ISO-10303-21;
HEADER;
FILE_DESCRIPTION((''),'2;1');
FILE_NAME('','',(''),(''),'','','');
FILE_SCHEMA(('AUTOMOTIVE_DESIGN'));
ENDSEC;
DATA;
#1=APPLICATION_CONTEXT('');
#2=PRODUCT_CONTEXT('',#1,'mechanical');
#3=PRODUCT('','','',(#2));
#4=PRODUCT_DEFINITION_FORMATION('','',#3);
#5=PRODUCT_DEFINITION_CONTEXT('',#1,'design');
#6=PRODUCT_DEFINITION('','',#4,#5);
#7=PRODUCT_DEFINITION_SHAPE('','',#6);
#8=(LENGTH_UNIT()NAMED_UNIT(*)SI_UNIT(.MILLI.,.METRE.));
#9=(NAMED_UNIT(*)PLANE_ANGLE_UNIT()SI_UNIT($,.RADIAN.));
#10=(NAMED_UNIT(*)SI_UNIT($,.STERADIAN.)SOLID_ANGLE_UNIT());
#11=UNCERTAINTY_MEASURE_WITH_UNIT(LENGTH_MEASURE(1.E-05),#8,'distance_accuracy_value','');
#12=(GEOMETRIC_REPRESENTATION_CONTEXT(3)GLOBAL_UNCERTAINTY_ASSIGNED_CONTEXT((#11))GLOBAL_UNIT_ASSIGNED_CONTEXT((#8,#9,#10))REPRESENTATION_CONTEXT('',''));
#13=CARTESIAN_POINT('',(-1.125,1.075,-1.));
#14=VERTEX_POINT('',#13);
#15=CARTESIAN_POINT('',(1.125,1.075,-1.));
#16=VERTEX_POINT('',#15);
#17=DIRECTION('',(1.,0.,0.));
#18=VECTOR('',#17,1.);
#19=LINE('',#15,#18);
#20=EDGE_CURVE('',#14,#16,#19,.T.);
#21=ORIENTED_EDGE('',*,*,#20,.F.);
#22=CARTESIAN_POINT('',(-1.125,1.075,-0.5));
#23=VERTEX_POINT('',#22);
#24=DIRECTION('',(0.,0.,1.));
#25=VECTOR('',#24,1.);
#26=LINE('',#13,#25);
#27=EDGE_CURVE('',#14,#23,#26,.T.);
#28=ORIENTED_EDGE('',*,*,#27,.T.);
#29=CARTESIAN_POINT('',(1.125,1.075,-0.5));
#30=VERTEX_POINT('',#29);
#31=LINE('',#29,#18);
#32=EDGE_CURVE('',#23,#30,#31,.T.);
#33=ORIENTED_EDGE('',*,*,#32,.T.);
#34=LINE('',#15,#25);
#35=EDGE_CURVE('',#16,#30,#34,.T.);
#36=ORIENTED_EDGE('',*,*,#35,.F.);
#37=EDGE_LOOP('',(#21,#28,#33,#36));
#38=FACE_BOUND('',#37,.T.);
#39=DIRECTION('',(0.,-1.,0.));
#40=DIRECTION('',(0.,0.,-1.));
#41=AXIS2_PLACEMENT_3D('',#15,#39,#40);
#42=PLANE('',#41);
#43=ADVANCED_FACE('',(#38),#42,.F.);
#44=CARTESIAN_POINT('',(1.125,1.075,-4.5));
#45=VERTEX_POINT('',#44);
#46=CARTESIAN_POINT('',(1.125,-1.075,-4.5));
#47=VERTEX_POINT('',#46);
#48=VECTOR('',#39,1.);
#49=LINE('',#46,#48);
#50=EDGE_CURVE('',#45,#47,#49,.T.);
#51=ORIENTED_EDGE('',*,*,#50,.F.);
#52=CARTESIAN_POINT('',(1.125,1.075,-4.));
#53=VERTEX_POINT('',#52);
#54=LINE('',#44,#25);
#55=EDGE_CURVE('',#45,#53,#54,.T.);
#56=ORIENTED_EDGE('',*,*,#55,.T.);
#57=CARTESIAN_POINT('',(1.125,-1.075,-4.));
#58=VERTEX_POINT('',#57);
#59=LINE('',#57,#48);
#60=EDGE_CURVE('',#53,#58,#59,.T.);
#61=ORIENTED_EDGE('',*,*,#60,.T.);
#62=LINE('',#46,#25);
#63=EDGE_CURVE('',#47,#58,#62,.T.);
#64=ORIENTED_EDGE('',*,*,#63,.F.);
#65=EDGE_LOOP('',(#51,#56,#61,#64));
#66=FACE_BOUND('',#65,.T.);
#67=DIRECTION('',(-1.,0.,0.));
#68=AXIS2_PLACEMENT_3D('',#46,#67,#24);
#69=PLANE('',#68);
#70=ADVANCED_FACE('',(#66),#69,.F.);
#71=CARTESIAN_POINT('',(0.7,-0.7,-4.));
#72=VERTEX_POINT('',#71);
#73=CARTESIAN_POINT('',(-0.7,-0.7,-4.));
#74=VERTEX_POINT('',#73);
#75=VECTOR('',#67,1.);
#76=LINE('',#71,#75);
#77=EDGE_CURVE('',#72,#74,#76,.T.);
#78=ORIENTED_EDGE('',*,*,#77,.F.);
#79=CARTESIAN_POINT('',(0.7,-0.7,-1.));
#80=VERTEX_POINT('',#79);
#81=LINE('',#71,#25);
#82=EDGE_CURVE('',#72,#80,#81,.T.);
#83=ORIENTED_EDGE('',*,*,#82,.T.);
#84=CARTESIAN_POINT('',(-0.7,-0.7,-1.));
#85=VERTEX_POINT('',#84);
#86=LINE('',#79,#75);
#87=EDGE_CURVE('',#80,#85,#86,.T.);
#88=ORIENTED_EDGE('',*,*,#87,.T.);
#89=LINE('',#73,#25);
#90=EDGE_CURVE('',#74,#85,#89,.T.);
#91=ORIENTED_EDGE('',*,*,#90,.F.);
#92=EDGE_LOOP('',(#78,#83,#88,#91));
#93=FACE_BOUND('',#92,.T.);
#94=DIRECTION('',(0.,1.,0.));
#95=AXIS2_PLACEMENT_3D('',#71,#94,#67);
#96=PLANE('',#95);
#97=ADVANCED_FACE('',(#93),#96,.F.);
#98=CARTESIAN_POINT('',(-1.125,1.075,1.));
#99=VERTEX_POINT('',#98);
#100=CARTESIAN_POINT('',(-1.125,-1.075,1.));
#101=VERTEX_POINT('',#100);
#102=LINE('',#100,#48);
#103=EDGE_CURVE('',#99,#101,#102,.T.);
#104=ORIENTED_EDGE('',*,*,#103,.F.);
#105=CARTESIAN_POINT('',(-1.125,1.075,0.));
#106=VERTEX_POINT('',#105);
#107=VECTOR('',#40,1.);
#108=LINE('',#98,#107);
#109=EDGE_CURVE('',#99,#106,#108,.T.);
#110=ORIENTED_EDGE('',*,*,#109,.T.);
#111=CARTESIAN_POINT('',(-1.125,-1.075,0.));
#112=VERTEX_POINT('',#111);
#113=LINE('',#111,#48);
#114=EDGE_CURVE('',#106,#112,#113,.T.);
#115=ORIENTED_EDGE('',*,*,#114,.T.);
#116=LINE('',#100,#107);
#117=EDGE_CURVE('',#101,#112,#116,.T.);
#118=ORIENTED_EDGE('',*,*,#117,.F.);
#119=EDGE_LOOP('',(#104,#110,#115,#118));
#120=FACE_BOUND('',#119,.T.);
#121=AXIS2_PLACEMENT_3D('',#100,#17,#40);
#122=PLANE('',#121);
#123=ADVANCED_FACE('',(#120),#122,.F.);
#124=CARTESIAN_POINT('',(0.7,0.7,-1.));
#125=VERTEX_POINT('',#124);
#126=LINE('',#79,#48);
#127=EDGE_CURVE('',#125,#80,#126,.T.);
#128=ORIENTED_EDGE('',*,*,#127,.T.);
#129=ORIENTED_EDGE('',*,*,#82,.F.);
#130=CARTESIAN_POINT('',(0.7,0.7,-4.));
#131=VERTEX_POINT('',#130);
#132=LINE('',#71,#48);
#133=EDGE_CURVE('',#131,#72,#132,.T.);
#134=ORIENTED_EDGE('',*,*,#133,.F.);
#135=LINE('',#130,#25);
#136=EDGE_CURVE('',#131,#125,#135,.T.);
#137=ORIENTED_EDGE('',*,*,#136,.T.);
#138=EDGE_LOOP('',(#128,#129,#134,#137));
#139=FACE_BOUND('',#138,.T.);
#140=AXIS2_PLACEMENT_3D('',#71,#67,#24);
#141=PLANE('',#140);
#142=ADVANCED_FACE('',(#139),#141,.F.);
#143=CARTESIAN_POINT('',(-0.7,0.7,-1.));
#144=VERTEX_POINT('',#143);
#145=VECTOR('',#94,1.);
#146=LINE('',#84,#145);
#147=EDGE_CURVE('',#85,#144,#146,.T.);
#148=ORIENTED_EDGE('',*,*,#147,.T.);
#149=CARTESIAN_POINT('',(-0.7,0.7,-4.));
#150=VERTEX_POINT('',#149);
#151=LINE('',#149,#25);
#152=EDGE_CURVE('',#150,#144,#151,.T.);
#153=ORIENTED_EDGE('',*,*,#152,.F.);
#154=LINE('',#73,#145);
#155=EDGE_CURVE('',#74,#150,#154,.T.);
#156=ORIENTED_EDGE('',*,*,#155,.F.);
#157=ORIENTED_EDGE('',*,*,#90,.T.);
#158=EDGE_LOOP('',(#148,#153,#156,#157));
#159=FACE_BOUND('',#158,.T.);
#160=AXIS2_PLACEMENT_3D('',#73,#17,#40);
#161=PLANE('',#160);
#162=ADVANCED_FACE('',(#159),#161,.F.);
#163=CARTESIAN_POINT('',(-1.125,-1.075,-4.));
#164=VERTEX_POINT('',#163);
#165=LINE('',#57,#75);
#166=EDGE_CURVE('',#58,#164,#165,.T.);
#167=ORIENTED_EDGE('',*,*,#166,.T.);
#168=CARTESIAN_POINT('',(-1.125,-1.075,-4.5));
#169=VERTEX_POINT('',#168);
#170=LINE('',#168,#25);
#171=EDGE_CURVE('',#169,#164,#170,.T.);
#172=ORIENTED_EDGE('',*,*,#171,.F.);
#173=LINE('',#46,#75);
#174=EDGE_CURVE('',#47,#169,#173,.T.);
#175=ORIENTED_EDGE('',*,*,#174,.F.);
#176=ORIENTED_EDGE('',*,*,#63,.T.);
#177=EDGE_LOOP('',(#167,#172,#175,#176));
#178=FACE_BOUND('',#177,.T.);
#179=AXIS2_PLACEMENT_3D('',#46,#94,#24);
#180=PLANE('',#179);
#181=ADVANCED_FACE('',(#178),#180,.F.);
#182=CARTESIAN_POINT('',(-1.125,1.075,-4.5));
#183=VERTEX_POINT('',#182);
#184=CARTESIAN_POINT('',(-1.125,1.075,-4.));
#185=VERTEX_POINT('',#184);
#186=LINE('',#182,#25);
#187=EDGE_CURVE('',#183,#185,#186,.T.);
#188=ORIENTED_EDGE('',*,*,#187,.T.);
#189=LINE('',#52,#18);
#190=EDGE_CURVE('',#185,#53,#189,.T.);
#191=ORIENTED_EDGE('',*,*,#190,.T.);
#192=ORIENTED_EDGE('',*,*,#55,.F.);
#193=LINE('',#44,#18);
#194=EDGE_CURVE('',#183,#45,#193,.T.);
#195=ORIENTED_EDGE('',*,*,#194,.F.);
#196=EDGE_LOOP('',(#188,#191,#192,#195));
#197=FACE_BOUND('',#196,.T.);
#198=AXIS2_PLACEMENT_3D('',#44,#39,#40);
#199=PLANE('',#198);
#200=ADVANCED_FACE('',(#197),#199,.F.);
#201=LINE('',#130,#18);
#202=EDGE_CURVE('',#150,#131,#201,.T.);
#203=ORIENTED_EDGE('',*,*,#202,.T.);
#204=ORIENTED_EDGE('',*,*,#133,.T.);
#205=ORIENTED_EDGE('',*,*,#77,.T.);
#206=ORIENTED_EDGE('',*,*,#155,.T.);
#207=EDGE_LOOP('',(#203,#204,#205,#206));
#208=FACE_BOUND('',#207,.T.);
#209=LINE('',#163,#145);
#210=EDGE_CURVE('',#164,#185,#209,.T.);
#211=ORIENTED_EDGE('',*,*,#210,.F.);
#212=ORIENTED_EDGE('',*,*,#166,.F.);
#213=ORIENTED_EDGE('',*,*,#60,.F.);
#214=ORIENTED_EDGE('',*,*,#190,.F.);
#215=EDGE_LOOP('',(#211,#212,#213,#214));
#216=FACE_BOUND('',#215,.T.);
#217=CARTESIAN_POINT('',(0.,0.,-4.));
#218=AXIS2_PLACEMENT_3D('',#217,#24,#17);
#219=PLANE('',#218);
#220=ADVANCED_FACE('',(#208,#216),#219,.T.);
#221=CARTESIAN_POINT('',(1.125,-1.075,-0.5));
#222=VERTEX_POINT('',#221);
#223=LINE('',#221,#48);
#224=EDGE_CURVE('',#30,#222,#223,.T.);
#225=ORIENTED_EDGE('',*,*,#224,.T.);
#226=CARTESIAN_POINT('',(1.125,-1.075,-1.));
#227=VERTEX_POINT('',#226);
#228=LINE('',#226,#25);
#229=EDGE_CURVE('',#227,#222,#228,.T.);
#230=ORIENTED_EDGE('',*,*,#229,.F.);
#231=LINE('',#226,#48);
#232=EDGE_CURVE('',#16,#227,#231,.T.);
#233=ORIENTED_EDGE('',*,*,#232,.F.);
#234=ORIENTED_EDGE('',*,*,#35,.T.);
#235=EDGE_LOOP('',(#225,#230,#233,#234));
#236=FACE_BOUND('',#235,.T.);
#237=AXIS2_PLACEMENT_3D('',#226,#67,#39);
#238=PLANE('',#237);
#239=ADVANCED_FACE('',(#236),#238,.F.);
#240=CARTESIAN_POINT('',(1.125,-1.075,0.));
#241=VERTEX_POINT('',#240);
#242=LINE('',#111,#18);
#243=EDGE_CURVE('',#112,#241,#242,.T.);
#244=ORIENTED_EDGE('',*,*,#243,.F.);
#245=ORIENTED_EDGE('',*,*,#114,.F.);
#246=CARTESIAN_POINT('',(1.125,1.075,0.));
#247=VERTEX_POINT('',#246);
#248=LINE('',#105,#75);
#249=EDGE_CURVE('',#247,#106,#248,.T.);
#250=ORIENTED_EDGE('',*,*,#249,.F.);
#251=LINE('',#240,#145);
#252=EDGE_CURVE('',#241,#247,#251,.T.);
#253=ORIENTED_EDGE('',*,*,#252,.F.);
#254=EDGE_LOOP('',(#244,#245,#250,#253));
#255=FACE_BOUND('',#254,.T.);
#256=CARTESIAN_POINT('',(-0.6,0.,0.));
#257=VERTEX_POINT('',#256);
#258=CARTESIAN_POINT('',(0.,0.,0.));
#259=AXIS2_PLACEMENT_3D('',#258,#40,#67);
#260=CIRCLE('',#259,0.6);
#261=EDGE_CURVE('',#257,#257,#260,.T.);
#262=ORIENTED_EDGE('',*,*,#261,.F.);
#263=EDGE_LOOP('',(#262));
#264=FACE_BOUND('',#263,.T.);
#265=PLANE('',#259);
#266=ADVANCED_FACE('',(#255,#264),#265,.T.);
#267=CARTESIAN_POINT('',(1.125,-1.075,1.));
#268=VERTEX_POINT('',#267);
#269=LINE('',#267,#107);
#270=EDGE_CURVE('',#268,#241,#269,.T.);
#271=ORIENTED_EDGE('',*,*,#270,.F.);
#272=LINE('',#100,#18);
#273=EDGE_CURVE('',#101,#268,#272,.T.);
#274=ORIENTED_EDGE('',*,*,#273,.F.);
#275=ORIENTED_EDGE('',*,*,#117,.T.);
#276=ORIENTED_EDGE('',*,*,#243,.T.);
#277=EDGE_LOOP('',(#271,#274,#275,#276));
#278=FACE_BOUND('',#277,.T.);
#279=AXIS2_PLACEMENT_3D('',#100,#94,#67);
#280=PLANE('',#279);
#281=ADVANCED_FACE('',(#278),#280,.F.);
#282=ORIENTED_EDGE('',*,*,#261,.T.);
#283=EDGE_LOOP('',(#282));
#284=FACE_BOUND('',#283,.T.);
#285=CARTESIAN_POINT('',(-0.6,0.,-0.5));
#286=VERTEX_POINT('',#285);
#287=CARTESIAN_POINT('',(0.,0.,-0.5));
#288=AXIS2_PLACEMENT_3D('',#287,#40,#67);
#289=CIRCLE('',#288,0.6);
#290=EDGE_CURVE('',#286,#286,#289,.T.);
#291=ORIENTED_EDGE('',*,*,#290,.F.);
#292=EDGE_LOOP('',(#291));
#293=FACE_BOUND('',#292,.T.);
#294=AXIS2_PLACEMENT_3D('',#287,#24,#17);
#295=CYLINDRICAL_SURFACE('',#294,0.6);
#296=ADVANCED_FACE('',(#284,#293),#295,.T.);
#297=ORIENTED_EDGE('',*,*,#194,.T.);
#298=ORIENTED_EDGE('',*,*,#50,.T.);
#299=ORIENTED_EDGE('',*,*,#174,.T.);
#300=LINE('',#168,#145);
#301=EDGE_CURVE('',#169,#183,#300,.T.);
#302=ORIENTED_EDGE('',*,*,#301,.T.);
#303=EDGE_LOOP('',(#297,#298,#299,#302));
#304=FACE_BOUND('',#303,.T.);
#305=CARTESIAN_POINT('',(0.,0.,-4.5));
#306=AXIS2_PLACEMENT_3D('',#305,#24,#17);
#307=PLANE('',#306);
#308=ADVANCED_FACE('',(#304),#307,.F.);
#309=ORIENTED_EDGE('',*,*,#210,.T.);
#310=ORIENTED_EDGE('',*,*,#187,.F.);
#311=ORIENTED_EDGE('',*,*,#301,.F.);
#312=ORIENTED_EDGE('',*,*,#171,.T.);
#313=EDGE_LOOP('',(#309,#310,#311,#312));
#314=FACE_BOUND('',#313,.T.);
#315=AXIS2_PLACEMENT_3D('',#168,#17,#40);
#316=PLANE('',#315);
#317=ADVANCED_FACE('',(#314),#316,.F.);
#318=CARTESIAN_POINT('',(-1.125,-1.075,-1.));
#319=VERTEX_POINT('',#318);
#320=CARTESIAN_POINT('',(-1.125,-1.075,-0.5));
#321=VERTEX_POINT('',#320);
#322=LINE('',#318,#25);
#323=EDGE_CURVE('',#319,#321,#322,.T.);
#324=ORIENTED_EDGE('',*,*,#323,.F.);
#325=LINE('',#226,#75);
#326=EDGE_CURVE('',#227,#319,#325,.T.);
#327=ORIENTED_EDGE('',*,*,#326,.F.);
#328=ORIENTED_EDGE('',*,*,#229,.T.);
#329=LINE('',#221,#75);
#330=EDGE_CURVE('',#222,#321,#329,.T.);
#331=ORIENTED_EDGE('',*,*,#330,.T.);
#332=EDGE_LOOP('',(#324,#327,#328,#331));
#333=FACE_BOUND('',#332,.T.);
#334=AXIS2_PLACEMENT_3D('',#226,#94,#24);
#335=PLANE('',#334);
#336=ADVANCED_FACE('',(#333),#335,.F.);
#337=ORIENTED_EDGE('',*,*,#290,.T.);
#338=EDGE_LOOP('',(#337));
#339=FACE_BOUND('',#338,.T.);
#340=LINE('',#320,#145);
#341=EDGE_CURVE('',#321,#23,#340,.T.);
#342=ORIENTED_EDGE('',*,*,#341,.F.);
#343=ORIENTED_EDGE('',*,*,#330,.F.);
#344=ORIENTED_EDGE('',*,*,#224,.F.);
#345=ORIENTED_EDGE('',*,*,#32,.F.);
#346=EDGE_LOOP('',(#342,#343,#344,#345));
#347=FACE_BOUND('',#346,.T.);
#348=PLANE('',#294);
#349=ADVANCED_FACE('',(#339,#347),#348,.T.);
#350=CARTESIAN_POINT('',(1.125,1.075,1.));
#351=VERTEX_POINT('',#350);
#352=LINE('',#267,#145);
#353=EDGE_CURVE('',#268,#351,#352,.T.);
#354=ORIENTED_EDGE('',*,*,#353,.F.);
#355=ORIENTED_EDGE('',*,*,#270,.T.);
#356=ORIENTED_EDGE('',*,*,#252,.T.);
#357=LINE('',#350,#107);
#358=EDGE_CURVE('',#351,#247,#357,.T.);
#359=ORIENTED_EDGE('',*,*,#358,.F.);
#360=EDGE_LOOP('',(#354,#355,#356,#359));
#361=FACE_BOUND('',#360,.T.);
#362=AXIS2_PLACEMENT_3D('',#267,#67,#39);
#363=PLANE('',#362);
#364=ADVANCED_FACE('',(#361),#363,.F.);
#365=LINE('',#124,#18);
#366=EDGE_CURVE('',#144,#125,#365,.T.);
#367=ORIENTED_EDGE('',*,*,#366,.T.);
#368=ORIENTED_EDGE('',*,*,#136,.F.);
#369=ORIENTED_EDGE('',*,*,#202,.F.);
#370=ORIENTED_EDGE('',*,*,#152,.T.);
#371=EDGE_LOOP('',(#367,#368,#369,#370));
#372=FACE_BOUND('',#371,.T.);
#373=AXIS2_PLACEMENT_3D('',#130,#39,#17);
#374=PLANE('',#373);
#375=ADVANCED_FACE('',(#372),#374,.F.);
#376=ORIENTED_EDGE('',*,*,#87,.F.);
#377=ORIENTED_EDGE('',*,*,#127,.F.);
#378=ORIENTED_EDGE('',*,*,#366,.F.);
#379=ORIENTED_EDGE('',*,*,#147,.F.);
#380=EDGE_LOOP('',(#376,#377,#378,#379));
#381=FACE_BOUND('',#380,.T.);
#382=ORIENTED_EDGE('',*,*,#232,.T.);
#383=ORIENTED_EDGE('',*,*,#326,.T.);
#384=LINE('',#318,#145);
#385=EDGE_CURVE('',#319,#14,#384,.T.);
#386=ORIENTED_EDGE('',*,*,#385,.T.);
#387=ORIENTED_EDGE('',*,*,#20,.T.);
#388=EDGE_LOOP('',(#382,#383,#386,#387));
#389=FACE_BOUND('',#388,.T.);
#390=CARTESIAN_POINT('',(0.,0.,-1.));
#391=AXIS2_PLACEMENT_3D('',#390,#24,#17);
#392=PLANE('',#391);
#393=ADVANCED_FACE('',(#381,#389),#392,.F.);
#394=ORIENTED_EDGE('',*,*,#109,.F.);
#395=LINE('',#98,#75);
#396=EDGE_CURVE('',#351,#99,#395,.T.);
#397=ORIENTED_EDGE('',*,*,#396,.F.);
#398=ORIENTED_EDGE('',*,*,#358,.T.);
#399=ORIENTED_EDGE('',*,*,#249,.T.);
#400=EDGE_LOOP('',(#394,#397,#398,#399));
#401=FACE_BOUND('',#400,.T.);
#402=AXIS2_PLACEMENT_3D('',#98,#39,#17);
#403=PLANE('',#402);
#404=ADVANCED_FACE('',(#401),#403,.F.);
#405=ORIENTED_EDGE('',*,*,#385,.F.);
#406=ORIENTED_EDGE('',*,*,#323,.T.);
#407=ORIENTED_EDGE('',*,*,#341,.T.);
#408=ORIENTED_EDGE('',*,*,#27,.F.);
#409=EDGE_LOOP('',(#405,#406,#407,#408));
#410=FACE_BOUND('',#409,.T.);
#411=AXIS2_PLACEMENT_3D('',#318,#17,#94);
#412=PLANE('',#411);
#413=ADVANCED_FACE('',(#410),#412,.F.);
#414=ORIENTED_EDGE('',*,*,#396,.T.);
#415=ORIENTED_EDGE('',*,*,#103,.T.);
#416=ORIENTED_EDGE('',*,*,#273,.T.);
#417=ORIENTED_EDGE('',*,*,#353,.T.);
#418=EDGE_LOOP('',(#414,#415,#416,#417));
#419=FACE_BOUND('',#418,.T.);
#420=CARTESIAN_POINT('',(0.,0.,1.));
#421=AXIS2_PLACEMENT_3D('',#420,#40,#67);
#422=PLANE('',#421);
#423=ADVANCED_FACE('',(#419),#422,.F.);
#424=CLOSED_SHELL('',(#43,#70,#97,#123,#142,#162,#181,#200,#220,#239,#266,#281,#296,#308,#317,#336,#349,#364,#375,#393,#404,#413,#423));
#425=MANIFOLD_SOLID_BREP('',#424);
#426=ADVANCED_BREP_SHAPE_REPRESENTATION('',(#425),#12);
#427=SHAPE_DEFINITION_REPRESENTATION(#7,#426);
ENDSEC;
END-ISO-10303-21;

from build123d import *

# Parameters (mm, degrees)
SKETCH_2_W      = 2.25
SKETCH_2_H      = 2.15
EXTRUDE_4_DEPTH = 1
SKETCH_4_R      = 0.6
EXTRUDE_5_DEPTH = 0.5
SKETCH_5_W      = 2.25
SKETCH_5_H      = 2.15
EXTRUDE_6_DEPTH = 0.5
SKETCH_9_W      = 1.4
SKETCH_9_H      = 1.4
EXTRUDE_7_DEPTH = 3
SKETCH_10_W     = 2.25
SKETCH_10_H     = 2.15
EXTRUDE_8_DEPTH = 0.5


with BuildPart() as part:
    # 草图2 → 凸台-拉伸4 (new body)
    with BuildSketch(Plane.XY):
        Rectangle(SKETCH_2_W, SKETCH_2_H)
    extrude(amount=EXTRUDE_4_DEPTH)

    # 草图4 → 凸台-拉伸5 (add)
    with BuildSketch(Plane(origin=(0, 0, 0), x_dir=(-1, 0, 0), z_dir=(0, 0, -1))):
        Circle(SKETCH_4_R)
    extrude(amount=EXTRUDE_5_DEPTH)

    # 草图5 → 凸台-拉伸6 (add)
    with BuildSketch(Plane(origin=(0, 0, -0.5), x_dir=(-1, 0, 0), z_dir=(0, 0, -1))):
        Rectangle(SKETCH_5_W, SKETCH_5_H)
    extrude(amount=EXTRUDE_6_DEPTH)

    # 草图9 → 凸台-拉伸7 (add)
    with BuildSketch(Plane(origin=(0, 0, -1), x_dir=(-1, 0, 0), z_dir=(0, 0, -1))):
        Rectangle(SKETCH_9_W, SKETCH_9_H)
    extrude(amount=EXTRUDE_7_DEPTH)

    # 草图10 → 凸台-拉伸8 (add)
    with BuildSketch(Plane(origin=(0, 0, -4), x_dir=(-1, 0, 0), z_dir=(0, 0, -1))):
        Rectangle(SKETCH_10_W, SKETCH_10_H)
    extrude(amount=EXTRUDE_8_DEPTH)


solid = part.part
